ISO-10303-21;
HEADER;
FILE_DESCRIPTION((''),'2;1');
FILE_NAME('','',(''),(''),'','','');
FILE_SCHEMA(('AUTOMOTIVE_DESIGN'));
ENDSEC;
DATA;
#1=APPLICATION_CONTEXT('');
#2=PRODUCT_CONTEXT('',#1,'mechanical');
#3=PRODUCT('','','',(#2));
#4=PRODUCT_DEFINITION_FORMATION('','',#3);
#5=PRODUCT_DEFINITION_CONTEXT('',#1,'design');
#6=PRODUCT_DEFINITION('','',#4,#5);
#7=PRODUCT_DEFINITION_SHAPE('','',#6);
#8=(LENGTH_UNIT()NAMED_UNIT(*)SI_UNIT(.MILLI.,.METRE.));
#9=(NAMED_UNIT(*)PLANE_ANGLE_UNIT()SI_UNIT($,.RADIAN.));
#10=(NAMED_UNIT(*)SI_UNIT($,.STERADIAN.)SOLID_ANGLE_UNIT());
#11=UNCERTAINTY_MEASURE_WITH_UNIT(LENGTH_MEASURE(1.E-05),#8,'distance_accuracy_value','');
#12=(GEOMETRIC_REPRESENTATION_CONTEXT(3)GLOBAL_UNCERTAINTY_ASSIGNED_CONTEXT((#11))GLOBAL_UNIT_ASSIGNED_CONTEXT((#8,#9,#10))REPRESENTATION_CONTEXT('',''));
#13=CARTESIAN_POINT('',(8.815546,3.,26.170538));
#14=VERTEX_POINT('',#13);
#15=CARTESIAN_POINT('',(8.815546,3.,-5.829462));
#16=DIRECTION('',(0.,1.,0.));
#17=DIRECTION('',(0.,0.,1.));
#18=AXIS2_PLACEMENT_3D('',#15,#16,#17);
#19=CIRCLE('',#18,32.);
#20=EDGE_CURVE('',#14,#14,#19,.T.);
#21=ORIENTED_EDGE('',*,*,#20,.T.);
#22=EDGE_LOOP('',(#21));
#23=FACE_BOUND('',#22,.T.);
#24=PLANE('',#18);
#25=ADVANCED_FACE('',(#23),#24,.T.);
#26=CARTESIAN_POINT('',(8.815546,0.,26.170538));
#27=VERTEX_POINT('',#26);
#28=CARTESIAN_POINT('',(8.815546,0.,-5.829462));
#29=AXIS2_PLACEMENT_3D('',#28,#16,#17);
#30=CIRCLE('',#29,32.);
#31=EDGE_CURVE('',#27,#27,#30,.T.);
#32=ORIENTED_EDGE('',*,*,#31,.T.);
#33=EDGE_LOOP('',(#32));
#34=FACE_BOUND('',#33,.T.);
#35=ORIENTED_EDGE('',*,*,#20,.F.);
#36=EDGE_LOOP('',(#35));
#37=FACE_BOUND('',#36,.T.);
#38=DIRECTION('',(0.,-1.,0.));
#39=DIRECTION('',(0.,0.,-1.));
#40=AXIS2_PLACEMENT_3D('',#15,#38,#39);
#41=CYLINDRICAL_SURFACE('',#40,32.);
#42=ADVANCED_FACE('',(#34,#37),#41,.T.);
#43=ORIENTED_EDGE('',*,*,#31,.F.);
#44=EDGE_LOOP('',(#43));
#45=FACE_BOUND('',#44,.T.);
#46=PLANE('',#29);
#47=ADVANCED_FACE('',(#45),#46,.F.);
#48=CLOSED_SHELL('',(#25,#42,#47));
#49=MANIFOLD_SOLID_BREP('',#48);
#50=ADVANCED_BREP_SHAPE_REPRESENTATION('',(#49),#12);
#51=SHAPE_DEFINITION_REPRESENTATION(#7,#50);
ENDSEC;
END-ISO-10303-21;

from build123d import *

# Parameters (mm, degrees)
SKETCH1_R           = 32
BOSS_EXTRUDE1_DEPTH = 3


with BuildPart() as part:
    # Sketch1 → Boss-Extrude1 (new body)
    with BuildSketch(Plane(origin=(0, 0, 0), x_dir=(1, 0, 0), z_dir=(0, 1, 0))):
        with Locations((8.815546452, 5.829461803)):
            Circle(SKETCH1_R)
    extrude(amount=BOSS_EXTRUDE1_DEPTH)


solid = part.part
